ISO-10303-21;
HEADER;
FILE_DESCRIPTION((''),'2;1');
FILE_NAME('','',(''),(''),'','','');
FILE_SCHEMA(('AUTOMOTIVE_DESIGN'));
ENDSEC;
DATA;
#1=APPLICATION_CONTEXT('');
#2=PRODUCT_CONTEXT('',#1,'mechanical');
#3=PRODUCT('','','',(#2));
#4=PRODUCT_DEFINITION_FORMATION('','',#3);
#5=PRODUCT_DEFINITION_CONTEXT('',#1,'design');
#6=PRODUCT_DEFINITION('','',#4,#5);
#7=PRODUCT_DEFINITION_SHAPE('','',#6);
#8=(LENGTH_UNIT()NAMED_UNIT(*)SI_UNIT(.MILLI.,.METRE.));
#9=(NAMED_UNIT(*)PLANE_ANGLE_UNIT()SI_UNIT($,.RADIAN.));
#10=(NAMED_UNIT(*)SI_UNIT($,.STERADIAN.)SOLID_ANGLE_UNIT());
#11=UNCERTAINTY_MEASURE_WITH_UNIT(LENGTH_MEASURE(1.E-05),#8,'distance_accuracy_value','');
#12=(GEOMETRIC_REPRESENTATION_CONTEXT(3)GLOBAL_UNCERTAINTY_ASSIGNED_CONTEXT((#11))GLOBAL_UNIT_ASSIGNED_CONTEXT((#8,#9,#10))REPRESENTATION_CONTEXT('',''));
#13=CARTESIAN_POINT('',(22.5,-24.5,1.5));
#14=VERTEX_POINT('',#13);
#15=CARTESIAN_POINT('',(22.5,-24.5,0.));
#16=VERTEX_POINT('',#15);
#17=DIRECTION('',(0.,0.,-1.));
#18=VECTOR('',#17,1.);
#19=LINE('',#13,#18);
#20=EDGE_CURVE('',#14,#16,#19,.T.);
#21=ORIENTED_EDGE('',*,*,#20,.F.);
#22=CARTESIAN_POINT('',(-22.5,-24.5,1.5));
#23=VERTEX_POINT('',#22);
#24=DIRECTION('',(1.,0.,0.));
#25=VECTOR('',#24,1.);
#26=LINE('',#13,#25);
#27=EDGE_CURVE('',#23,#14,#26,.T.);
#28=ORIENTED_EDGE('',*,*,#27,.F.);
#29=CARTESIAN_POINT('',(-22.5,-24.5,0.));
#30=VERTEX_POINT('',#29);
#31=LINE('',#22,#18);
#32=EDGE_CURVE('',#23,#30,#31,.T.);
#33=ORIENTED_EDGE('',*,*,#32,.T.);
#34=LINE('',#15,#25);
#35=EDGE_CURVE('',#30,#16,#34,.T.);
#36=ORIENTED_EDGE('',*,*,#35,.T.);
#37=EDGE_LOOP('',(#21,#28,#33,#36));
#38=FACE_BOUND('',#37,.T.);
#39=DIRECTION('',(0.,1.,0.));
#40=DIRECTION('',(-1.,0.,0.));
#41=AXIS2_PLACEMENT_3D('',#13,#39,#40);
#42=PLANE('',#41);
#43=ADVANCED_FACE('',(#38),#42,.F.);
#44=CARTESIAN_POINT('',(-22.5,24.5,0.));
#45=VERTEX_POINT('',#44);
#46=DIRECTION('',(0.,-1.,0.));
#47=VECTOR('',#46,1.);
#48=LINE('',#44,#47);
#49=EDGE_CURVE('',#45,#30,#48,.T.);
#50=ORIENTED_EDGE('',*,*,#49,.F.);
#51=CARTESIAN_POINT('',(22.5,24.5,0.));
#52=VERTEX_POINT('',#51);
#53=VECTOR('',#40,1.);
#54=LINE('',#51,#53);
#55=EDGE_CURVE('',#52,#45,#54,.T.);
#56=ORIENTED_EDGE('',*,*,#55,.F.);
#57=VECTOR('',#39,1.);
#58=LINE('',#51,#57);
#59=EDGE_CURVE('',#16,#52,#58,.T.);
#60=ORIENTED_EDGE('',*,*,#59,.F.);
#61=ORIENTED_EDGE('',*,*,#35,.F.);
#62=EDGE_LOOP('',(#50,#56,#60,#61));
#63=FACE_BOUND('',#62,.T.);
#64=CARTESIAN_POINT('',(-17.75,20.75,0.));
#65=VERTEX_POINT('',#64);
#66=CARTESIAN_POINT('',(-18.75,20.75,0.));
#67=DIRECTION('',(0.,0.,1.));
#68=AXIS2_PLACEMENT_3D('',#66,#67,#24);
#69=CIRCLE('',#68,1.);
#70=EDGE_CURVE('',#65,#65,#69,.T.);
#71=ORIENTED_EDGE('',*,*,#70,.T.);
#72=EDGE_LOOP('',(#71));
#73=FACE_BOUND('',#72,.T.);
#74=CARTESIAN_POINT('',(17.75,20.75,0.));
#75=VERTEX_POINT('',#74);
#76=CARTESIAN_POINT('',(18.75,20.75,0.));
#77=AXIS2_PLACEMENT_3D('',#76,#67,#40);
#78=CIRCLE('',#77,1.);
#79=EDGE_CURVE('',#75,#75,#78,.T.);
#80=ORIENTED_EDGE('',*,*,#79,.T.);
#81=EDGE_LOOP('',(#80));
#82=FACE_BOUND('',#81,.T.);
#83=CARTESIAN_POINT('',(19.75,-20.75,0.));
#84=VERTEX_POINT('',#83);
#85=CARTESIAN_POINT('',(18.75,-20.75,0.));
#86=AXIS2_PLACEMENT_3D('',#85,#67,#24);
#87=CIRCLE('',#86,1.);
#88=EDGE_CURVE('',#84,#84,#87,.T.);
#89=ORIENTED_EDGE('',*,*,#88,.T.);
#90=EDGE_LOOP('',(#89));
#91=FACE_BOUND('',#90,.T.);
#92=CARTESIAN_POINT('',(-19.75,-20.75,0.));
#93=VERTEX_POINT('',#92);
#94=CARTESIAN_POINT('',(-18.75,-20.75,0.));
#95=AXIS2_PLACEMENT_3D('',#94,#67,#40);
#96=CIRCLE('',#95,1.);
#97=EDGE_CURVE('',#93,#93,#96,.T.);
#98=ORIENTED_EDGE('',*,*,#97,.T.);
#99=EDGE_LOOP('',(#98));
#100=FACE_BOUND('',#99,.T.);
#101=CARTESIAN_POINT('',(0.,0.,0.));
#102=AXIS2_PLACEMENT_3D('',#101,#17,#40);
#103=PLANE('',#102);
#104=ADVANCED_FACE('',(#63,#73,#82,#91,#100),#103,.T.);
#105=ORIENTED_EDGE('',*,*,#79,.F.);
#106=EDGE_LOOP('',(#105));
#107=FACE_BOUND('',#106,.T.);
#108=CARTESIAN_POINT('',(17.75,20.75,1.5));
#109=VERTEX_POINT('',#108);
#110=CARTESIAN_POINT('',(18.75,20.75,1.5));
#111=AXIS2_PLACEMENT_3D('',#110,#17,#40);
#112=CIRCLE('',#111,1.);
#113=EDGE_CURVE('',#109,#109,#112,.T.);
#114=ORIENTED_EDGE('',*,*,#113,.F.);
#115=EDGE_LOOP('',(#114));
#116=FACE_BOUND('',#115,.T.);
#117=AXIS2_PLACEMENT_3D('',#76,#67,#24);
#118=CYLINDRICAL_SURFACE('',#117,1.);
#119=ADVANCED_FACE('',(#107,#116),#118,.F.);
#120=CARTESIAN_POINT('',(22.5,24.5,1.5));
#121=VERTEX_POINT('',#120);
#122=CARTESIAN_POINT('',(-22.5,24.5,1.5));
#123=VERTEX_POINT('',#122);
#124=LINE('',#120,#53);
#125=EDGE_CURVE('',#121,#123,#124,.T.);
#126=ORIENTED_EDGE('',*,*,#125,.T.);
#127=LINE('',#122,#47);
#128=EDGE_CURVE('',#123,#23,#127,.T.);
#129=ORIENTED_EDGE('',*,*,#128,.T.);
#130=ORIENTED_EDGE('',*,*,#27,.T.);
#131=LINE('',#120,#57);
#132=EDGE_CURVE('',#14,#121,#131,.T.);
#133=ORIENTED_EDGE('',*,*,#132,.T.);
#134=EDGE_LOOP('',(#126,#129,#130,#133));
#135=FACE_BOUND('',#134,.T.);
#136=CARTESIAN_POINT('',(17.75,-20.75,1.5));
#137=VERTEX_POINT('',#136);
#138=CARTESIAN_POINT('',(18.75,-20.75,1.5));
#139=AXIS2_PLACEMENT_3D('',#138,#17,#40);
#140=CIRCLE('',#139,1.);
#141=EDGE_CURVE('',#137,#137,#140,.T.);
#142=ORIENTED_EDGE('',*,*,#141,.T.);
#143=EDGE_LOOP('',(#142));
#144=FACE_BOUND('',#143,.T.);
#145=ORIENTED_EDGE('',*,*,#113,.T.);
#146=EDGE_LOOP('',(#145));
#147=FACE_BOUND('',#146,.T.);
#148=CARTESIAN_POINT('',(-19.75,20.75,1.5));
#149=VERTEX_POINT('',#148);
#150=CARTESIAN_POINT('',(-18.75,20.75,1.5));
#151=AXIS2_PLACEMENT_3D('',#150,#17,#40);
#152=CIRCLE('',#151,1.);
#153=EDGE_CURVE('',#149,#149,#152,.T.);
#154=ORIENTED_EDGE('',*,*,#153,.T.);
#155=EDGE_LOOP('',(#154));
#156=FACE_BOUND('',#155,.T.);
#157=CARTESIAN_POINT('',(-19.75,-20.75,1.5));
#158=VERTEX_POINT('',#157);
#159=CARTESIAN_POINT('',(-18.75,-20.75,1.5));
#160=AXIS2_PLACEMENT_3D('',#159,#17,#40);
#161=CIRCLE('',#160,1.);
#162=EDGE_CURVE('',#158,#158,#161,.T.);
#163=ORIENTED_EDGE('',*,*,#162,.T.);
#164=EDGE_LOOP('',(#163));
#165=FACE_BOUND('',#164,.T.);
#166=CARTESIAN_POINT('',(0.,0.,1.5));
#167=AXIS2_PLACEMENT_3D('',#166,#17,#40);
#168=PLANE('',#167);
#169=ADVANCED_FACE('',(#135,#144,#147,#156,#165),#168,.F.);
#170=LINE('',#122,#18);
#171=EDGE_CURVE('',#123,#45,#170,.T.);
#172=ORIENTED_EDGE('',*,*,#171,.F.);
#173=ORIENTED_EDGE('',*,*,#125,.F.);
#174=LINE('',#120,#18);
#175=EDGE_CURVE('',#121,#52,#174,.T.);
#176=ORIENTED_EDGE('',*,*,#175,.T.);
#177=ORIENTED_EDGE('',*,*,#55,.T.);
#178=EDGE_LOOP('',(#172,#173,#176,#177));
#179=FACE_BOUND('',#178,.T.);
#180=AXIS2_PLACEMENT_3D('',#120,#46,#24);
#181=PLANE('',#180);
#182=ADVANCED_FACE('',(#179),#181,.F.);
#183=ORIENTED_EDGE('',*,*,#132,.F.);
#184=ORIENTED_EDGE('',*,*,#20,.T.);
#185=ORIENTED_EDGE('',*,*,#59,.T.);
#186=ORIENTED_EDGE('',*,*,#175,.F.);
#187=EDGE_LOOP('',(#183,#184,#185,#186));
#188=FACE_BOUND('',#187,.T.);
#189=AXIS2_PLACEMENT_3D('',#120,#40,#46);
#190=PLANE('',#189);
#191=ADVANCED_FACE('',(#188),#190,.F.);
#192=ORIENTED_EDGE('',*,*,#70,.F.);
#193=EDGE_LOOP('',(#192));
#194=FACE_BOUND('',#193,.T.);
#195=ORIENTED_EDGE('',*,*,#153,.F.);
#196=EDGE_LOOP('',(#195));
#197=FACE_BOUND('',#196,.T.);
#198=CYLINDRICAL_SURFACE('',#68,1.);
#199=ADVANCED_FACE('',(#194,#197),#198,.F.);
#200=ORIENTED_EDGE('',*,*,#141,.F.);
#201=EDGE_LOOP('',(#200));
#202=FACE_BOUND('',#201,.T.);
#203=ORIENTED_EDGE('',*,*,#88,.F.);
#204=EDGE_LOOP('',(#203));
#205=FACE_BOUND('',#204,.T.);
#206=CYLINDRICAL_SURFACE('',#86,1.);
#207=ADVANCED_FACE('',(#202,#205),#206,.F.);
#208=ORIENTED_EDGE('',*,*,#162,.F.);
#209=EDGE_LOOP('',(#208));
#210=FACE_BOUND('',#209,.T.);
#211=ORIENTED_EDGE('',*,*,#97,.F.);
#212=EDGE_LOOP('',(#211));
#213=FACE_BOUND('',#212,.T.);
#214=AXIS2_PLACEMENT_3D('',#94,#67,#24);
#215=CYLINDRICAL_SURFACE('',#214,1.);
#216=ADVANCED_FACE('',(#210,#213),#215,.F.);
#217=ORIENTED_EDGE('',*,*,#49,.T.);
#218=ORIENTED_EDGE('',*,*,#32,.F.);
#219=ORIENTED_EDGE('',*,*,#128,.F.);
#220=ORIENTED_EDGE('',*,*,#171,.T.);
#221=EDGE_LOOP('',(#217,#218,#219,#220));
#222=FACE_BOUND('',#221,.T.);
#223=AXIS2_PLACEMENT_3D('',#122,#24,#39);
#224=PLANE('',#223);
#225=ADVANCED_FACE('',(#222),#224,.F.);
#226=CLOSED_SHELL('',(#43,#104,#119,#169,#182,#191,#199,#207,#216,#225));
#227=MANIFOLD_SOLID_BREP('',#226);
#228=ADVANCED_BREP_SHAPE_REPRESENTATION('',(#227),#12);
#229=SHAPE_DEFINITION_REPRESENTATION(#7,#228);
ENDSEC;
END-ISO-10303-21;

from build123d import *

# Parameters (mm, degrees)
SKETCH2_W               = 45
SKETCH2_H               = 49
BOSS_EXTRUDE1_DEPTH     = 1.5
CUT_EXTRUDE1_DEPTH      = 34.297897832
CUT_EXTRUDE1_DEPTH_BACK = 34.297897832
SKETCH3_R               = 1


with BuildPart() as part:
    # Sketch2 → Boss-Extrude1 (new body)
    with BuildSketch(Plane.XY):
        Rectangle(SKETCH2_W, SKETCH2_H)
    extrude(amount=BOSS_EXTRUDE1_DEPTH)

    # Sketch3 → Cut-Extrude1 (cut, two sides: drawn at the far end of the back side and taken through both)
    with BuildSketch(Plane.XY.offset(1.5).offset(-CUT_EXTRUDE1_DEPTH_BACK)):
        with Locations((-18.75, 20.75)):
            Circle(SKETCH3_R)
        with Locations(Location((18.75, 20.75, 0), (0, 0, 180))):
            Circle(SKETCH3_R)
        with Locations((18.75, -20.75)):
            Circle(SKETCH3_R)
        with Locations(Location((-18.75, -20.75, 0), (0, 0, 180))):
            Circle(SKETCH3_R)
    extrude(amount=CUT_EXTRUDE1_DEPTH + CUT_EXTRUDE1_DEPTH_BACK, mode=Mode.SUBTRACT)


solid = part.part
